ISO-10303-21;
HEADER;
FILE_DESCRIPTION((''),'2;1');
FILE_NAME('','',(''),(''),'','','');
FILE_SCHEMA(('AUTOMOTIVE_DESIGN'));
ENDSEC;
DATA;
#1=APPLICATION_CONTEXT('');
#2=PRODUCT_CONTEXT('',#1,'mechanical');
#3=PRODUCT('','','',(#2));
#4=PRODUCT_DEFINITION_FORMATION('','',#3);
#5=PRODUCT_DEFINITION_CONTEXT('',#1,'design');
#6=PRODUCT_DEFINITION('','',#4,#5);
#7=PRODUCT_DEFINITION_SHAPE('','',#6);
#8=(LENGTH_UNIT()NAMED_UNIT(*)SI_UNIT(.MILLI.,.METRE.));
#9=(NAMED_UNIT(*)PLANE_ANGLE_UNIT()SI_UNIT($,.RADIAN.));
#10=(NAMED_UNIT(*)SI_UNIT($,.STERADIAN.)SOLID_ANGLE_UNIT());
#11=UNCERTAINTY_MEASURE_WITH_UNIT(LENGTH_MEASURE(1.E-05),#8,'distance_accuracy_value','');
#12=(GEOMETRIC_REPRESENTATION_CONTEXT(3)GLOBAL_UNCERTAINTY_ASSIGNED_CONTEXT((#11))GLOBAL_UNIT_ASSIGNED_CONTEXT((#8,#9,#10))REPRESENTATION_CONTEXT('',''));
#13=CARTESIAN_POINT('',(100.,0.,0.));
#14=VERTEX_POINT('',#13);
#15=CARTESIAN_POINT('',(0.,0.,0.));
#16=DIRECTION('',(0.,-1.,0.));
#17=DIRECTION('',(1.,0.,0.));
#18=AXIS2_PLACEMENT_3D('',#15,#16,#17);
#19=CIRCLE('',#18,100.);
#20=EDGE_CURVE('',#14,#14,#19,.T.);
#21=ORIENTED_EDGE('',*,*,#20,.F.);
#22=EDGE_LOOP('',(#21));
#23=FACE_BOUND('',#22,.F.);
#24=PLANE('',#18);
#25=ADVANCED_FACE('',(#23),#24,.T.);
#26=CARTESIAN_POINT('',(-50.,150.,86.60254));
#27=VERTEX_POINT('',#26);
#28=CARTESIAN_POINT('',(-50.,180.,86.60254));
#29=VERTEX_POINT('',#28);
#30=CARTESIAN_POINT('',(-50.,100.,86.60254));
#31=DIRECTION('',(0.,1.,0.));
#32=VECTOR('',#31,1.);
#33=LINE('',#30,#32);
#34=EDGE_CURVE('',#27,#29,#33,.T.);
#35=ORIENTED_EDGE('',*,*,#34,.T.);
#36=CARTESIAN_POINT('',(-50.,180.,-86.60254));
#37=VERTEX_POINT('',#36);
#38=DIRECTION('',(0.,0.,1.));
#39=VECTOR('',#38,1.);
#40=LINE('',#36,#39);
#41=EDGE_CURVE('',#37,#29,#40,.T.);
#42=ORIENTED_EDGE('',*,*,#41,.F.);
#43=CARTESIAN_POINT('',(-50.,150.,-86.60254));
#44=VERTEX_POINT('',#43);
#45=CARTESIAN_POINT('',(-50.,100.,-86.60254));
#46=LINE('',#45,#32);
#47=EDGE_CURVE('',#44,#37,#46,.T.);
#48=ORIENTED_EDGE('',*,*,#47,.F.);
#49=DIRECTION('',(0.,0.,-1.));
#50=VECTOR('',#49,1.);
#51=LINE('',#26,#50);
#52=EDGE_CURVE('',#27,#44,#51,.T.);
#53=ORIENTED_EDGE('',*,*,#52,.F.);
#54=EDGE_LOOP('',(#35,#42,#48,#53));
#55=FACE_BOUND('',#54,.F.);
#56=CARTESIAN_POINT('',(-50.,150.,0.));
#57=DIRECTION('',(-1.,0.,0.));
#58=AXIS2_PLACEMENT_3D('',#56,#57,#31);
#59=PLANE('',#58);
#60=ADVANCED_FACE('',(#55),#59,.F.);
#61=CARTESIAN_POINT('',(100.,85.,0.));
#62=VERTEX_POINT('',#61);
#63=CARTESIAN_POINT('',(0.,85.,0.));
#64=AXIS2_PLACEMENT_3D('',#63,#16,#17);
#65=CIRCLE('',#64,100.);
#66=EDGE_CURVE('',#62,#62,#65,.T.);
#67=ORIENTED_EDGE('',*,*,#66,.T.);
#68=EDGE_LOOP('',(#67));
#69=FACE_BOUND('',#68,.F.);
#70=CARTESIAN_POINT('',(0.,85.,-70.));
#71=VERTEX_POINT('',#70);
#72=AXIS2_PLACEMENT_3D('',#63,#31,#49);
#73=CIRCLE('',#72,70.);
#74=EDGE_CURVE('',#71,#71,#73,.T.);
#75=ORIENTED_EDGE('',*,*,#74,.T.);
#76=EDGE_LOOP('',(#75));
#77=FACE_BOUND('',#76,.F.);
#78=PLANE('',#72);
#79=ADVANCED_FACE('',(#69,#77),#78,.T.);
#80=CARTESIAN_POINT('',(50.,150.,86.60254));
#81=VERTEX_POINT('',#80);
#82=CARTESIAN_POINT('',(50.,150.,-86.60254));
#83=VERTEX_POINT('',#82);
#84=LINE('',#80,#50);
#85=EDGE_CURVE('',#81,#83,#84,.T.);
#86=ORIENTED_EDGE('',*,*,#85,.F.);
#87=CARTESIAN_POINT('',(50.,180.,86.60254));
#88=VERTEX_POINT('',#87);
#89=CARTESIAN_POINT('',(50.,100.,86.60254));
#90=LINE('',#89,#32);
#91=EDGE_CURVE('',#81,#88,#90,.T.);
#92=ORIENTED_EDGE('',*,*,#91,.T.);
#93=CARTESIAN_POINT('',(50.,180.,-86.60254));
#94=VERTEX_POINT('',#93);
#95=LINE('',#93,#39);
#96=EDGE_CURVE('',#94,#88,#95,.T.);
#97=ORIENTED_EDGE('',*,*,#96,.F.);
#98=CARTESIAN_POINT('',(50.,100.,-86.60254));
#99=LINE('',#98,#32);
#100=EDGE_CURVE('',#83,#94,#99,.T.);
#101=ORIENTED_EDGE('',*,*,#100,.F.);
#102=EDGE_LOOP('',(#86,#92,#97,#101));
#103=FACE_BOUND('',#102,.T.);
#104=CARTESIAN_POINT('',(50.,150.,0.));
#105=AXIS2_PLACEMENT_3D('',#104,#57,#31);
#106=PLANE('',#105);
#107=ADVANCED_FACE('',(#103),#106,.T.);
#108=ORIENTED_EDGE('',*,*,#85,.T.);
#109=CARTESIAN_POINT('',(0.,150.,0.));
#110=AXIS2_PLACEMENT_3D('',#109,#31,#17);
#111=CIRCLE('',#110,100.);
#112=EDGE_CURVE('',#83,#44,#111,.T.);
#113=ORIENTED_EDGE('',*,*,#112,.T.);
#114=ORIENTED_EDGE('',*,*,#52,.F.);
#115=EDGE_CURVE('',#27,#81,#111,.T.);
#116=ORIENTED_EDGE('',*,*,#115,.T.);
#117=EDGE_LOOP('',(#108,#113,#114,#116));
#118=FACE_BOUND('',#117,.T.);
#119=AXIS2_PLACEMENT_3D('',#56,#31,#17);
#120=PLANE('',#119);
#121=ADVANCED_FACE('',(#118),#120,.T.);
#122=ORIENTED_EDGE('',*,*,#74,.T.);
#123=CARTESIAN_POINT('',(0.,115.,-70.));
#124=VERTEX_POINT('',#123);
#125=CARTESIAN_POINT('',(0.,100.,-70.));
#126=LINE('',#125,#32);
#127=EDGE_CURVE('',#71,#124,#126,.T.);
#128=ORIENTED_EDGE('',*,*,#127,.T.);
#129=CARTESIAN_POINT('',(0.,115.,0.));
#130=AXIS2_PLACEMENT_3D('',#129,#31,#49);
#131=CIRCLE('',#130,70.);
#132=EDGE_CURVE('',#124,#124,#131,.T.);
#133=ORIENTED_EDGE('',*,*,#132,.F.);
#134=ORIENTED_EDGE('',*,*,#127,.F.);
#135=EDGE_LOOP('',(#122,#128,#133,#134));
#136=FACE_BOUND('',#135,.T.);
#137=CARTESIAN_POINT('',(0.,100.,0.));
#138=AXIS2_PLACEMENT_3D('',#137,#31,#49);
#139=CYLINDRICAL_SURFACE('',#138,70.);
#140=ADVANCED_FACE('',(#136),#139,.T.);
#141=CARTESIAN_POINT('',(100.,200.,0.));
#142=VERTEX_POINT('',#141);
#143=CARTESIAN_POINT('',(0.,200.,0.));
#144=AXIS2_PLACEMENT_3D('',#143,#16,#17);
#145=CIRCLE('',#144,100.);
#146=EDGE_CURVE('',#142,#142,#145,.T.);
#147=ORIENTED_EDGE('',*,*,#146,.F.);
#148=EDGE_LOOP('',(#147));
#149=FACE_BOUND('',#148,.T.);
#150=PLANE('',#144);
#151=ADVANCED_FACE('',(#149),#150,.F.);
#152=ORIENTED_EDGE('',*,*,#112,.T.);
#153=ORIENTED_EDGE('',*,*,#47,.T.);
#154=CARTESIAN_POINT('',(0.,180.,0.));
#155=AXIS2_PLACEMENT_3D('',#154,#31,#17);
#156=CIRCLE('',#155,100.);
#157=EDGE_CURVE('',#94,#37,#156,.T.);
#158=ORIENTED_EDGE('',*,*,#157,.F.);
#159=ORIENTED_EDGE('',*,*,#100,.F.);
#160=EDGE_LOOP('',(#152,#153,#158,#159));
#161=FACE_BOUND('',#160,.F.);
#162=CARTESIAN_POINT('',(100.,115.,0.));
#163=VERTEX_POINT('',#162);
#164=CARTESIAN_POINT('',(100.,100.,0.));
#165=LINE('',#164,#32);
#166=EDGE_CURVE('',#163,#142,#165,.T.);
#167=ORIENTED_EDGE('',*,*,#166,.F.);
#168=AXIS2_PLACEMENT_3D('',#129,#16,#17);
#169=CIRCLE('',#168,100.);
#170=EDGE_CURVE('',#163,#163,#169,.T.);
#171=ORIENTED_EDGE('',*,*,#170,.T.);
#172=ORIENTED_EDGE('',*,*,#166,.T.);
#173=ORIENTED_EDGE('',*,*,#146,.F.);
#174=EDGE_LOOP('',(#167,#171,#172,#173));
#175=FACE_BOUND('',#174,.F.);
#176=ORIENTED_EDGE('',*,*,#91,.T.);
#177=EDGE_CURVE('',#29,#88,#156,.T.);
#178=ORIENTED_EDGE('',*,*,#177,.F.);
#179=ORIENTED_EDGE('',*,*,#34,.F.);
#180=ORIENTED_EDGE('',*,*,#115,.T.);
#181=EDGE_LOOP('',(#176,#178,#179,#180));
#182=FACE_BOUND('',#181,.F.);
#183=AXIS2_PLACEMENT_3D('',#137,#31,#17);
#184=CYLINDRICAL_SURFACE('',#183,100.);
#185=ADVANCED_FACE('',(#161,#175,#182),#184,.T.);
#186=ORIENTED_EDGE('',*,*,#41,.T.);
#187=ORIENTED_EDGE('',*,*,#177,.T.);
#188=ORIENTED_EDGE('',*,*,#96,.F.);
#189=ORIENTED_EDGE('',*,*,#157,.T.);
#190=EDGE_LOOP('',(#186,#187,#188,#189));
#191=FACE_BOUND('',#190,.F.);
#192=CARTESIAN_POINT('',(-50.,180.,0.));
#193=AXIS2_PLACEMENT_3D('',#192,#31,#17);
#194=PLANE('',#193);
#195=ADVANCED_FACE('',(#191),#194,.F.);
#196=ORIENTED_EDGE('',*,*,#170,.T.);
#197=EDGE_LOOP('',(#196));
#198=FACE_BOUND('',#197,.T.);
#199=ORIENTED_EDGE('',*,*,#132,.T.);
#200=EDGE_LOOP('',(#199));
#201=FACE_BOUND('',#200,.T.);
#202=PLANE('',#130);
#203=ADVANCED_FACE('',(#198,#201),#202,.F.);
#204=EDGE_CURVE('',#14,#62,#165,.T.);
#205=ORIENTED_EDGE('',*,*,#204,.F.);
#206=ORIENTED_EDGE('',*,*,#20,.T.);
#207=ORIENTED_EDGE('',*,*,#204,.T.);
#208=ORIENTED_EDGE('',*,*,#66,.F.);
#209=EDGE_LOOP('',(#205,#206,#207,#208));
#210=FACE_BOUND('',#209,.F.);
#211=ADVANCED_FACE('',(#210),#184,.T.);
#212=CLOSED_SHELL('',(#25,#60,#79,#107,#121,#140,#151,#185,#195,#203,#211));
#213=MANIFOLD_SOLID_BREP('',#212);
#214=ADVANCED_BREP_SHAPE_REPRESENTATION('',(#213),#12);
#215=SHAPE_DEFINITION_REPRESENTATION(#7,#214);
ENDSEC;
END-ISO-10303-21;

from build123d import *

# Parameters (mm, degrees)
SKETCH1_W               = 100
SKETCH1_H               = 200
SKETCH3_W               = 30
SKETCH3_H               = 30
SKETCH4_W               = 100
SKETCH4_H               = 30
CUT_EXTRUDE1_DEPTH      = 101
CUT_EXTRUDE1_DEPTH_BACK = 101


with BuildPart() as part:
    # Sketch1 → Revolve1 (revolve)
    with BuildSketch(Plane.XY):
        with Locations((50, 100)):
            Rectangle(SKETCH1_W, SKETCH1_H)
    revolve(axis=Axis((0, 200, 0), (0, -1, 0)))

    # Sketch3 → Cut-Revolve1 (revolve, cut)
    with BuildSketch(Plane(origin=(0, 0, 0), x_dir=(0, 0, -1), z_dir=(1, 0, 0))):
        with Locations((85, 100)):
            Rectangle(SKETCH3_W, SKETCH3_H)
    revolve(axis=Axis((0, 0, 0), (0, 1, 0)), mode=Mode.SUBTRACT)

    # Sketch4 → Cut-Extrude1 (cut, two sides)
    with BuildSketch(Plane.XY) as cut_extrude1_sk:
        with Locations((0, 165)):
            Rectangle(SKETCH4_W, SKETCH4_H)
    extrude(amount=CUT_EXTRUDE1_DEPTH, mode=Mode.SUBTRACT)
    extrude(cut_extrude1_sk.sketch, amount=-CUT_EXTRUDE1_DEPTH_BACK, mode=Mode.SUBTRACT)


solid = part.part
